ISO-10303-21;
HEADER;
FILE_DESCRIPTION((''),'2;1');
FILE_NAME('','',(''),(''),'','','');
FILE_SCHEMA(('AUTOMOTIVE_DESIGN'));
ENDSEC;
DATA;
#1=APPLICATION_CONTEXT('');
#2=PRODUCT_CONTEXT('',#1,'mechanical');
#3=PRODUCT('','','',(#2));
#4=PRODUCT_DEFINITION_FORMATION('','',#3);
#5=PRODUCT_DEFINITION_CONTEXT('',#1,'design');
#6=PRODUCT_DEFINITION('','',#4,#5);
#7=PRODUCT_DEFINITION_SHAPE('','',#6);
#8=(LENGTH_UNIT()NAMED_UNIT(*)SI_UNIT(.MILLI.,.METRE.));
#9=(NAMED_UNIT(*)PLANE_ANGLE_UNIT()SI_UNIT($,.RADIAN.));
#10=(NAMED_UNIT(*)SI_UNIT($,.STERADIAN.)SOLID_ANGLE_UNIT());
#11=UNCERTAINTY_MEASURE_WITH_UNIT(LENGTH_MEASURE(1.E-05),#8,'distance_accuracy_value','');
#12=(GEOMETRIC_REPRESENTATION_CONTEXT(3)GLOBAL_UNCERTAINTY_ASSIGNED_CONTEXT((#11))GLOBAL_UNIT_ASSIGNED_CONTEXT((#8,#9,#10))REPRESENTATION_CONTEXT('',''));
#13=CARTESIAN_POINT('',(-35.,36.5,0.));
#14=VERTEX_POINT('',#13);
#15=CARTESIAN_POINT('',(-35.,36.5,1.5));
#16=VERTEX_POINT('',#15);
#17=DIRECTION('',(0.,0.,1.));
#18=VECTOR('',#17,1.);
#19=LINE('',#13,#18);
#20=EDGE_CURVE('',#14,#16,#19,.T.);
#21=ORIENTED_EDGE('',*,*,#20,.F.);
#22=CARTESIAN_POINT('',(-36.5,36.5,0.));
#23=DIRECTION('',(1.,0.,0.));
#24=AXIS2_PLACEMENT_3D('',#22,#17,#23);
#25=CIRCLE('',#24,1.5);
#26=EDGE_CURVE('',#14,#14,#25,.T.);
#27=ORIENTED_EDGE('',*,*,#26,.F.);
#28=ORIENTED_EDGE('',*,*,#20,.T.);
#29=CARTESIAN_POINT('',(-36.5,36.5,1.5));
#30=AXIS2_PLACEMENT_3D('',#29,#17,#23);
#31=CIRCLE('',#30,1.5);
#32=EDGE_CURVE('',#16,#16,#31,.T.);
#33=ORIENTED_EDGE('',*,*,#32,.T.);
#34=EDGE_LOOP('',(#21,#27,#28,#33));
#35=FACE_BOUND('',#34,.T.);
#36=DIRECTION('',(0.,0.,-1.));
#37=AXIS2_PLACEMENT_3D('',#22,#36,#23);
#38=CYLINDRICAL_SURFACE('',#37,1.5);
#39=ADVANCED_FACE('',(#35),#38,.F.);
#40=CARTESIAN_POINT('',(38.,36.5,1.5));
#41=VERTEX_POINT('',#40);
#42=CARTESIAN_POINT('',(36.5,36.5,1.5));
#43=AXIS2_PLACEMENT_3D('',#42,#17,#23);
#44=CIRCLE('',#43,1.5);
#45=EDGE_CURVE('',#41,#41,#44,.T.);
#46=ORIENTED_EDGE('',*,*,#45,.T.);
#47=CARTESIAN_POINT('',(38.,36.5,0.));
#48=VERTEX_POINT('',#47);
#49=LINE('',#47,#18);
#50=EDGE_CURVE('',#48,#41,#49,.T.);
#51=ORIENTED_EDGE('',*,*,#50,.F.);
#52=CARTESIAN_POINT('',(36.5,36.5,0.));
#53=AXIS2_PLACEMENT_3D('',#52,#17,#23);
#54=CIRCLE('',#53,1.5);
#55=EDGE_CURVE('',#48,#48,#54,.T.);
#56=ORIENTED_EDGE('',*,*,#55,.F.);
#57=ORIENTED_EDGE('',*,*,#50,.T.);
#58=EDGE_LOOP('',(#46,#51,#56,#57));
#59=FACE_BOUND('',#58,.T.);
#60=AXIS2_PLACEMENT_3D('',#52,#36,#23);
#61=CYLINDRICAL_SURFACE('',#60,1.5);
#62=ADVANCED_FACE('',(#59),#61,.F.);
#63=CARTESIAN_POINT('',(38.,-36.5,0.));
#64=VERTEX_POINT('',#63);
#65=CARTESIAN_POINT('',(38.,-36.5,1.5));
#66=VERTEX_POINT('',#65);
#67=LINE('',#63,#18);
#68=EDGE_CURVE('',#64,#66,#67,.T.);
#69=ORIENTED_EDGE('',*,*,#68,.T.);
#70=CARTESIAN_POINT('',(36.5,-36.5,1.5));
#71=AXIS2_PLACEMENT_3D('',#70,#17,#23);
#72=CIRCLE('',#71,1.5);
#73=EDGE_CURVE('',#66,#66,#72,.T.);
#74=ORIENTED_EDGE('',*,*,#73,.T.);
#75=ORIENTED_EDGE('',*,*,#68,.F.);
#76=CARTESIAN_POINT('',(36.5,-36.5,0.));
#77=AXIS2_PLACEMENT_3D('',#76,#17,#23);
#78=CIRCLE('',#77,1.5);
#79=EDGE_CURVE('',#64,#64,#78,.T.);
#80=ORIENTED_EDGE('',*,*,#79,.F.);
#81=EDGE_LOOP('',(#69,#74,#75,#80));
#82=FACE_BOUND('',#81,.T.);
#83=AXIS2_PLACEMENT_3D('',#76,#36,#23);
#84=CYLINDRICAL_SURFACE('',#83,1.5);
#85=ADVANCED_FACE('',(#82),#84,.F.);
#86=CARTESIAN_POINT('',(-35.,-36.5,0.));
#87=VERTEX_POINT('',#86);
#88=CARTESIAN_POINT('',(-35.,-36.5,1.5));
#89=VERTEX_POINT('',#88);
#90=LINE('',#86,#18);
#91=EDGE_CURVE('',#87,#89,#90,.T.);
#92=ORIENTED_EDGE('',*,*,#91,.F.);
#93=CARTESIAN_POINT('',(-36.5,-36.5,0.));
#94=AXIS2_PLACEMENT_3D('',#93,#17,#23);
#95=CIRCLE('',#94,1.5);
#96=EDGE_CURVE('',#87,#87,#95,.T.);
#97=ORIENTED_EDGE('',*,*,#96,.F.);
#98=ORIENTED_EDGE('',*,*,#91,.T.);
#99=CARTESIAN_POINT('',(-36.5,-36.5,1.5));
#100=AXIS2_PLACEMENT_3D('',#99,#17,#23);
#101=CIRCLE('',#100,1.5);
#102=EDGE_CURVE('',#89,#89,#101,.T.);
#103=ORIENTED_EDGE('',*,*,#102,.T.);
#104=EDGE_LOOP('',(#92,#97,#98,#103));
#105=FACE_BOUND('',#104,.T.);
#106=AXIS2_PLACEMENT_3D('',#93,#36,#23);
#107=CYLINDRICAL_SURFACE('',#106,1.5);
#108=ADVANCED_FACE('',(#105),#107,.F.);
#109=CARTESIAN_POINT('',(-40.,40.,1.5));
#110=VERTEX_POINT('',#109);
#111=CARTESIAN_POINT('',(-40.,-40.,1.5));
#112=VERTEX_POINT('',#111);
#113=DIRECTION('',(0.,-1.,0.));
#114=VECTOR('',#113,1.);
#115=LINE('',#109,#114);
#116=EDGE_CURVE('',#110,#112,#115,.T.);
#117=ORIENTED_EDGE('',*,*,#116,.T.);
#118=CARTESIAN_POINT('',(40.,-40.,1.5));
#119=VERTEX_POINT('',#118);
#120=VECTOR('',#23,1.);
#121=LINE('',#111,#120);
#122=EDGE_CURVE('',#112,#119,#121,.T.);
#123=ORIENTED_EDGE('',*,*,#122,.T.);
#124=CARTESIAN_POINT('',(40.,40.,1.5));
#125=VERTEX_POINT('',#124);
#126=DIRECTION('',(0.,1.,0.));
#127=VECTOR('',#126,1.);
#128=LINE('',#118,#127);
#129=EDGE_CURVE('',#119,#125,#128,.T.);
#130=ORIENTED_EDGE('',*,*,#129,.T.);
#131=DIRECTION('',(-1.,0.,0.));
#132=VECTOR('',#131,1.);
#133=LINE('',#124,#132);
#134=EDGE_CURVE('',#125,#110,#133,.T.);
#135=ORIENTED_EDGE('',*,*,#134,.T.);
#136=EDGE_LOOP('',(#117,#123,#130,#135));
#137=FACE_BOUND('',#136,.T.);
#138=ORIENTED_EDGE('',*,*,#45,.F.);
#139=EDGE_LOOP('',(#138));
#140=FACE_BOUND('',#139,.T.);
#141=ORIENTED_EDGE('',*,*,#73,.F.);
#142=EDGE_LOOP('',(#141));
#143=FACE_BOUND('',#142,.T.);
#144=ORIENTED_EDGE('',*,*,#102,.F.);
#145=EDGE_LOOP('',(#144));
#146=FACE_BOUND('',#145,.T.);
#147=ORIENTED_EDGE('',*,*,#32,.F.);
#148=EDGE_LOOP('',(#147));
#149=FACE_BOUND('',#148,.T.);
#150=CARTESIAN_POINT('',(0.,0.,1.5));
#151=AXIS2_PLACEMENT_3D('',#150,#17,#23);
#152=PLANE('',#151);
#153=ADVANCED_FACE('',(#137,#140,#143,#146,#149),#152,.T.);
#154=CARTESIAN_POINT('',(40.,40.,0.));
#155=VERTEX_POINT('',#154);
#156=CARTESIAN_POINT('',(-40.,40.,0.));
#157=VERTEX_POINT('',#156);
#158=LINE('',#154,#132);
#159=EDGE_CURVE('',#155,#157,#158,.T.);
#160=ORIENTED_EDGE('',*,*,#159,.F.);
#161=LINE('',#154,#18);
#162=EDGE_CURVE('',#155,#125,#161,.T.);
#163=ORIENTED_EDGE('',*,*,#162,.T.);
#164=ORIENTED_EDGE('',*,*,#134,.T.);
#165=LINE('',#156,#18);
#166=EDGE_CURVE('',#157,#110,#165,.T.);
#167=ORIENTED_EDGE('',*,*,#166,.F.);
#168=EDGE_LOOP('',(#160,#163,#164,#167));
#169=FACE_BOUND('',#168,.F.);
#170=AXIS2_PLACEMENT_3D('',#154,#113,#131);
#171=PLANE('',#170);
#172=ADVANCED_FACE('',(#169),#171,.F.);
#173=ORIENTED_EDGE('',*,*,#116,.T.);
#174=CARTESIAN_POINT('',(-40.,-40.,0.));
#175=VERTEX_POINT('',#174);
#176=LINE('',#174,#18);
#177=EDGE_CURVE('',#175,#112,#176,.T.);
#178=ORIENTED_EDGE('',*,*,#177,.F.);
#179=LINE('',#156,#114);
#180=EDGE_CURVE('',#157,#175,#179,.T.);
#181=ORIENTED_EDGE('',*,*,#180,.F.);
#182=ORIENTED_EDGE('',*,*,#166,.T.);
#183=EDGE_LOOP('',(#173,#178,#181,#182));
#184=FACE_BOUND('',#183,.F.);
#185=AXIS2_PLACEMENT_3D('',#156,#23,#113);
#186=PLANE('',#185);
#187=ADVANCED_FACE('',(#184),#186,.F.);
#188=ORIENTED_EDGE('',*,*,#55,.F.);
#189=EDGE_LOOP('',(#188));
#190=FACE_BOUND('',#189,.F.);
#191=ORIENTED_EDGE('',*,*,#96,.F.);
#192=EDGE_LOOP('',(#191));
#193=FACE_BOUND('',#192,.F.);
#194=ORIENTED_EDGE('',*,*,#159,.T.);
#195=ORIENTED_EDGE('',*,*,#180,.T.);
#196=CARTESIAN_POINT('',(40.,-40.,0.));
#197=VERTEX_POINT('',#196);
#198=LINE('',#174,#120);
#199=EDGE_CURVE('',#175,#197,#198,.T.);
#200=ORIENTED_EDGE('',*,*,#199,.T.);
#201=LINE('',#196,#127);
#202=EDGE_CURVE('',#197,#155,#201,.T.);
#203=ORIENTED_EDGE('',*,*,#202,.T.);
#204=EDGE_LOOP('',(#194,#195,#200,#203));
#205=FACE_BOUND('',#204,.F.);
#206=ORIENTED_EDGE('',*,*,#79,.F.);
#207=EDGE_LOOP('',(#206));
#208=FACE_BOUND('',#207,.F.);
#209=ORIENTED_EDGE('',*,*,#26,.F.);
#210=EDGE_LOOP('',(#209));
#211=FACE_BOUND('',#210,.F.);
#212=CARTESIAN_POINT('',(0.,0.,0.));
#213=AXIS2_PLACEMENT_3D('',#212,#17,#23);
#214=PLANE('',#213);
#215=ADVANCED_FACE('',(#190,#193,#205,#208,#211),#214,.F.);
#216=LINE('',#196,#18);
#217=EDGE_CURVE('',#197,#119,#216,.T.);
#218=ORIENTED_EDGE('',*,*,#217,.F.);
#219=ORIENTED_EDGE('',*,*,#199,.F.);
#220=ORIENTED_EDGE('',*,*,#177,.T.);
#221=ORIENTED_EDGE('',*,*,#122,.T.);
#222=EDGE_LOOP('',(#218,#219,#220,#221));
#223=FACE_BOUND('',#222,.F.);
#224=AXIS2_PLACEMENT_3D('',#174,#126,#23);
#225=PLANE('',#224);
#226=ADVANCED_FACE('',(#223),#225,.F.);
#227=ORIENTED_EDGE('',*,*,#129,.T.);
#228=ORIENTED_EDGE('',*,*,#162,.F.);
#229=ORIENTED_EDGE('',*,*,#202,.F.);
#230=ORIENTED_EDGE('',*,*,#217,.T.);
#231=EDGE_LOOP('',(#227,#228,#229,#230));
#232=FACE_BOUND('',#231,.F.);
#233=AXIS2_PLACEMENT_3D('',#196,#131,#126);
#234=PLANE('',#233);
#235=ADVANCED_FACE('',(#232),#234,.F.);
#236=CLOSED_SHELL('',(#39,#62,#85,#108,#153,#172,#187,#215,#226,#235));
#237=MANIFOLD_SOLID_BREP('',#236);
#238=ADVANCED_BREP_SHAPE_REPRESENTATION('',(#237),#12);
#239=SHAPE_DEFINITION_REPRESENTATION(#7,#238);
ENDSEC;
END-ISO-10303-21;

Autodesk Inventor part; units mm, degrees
ref_plane "YZ Plane" through (0, 0, 0) normal (1, 0, 0) x (0, 1, 0)
ref_plane "XZ Plane" through (0, 0, 0) normal (0, 1, 0) x (-1, 0, 0)
ref_plane "XY Plane" through (0, 0, 0) normal (0, 0, 1) x (1, 0, 0)
sketch "스케치1" plane through (0, 0, 0) normal (0, 0, 1) x (1, 0, 0)
  line L0 (40, 40) -> (-40, 40)
  line L1 (-40, 40) -> (-40, -40)
  line L2 (-40, -40) -> (40, -40)
  line L3 (40, -40) -> (40, 40)
  line L4 (40, 40) -> (-40, -40) construction
  line L5 (-40, 40) -> (40, -40) construction
  line L6 (36.5, -36.5) -> (-36.5, -36.5) construction
  line L7 (-36.5, -36.5) -> (-36.5, 36.5) construction
  line L8 (-36.5, 36.5) -> (36.5, 36.5) construction
  line L9 (36.5, 36.5) -> (36.5, -36.5) construction
  line L10 (36.5, -36.5) -> (-36.5, 36.5) construction
  line L11 (-36.5, -36.5) -> (36.5, 36.5) construction
  circle A0 centre (-36.5, 36.5) radius 1.5
  circle A1 centre (-36.5, -36.5) radius 1.5
  circle A2 centre (36.5, -36.5) radius 1.5
  circle A3 centre (36.5, 36.5) radius 1.5
  point P0 (0, 0)
  dimension "d0" = 80
  dimension "d1" = 80
  dimension "d2" = 73
  dimension "d3" = 73
  dimension "d4" = 3
  dimension "d5" = 3
  dimension "d6" = 3
  dimension "d7" = 3
extrude "돌출1" add sketch "스케치1" along normal blind 1.5
properties part number "제어회로"
